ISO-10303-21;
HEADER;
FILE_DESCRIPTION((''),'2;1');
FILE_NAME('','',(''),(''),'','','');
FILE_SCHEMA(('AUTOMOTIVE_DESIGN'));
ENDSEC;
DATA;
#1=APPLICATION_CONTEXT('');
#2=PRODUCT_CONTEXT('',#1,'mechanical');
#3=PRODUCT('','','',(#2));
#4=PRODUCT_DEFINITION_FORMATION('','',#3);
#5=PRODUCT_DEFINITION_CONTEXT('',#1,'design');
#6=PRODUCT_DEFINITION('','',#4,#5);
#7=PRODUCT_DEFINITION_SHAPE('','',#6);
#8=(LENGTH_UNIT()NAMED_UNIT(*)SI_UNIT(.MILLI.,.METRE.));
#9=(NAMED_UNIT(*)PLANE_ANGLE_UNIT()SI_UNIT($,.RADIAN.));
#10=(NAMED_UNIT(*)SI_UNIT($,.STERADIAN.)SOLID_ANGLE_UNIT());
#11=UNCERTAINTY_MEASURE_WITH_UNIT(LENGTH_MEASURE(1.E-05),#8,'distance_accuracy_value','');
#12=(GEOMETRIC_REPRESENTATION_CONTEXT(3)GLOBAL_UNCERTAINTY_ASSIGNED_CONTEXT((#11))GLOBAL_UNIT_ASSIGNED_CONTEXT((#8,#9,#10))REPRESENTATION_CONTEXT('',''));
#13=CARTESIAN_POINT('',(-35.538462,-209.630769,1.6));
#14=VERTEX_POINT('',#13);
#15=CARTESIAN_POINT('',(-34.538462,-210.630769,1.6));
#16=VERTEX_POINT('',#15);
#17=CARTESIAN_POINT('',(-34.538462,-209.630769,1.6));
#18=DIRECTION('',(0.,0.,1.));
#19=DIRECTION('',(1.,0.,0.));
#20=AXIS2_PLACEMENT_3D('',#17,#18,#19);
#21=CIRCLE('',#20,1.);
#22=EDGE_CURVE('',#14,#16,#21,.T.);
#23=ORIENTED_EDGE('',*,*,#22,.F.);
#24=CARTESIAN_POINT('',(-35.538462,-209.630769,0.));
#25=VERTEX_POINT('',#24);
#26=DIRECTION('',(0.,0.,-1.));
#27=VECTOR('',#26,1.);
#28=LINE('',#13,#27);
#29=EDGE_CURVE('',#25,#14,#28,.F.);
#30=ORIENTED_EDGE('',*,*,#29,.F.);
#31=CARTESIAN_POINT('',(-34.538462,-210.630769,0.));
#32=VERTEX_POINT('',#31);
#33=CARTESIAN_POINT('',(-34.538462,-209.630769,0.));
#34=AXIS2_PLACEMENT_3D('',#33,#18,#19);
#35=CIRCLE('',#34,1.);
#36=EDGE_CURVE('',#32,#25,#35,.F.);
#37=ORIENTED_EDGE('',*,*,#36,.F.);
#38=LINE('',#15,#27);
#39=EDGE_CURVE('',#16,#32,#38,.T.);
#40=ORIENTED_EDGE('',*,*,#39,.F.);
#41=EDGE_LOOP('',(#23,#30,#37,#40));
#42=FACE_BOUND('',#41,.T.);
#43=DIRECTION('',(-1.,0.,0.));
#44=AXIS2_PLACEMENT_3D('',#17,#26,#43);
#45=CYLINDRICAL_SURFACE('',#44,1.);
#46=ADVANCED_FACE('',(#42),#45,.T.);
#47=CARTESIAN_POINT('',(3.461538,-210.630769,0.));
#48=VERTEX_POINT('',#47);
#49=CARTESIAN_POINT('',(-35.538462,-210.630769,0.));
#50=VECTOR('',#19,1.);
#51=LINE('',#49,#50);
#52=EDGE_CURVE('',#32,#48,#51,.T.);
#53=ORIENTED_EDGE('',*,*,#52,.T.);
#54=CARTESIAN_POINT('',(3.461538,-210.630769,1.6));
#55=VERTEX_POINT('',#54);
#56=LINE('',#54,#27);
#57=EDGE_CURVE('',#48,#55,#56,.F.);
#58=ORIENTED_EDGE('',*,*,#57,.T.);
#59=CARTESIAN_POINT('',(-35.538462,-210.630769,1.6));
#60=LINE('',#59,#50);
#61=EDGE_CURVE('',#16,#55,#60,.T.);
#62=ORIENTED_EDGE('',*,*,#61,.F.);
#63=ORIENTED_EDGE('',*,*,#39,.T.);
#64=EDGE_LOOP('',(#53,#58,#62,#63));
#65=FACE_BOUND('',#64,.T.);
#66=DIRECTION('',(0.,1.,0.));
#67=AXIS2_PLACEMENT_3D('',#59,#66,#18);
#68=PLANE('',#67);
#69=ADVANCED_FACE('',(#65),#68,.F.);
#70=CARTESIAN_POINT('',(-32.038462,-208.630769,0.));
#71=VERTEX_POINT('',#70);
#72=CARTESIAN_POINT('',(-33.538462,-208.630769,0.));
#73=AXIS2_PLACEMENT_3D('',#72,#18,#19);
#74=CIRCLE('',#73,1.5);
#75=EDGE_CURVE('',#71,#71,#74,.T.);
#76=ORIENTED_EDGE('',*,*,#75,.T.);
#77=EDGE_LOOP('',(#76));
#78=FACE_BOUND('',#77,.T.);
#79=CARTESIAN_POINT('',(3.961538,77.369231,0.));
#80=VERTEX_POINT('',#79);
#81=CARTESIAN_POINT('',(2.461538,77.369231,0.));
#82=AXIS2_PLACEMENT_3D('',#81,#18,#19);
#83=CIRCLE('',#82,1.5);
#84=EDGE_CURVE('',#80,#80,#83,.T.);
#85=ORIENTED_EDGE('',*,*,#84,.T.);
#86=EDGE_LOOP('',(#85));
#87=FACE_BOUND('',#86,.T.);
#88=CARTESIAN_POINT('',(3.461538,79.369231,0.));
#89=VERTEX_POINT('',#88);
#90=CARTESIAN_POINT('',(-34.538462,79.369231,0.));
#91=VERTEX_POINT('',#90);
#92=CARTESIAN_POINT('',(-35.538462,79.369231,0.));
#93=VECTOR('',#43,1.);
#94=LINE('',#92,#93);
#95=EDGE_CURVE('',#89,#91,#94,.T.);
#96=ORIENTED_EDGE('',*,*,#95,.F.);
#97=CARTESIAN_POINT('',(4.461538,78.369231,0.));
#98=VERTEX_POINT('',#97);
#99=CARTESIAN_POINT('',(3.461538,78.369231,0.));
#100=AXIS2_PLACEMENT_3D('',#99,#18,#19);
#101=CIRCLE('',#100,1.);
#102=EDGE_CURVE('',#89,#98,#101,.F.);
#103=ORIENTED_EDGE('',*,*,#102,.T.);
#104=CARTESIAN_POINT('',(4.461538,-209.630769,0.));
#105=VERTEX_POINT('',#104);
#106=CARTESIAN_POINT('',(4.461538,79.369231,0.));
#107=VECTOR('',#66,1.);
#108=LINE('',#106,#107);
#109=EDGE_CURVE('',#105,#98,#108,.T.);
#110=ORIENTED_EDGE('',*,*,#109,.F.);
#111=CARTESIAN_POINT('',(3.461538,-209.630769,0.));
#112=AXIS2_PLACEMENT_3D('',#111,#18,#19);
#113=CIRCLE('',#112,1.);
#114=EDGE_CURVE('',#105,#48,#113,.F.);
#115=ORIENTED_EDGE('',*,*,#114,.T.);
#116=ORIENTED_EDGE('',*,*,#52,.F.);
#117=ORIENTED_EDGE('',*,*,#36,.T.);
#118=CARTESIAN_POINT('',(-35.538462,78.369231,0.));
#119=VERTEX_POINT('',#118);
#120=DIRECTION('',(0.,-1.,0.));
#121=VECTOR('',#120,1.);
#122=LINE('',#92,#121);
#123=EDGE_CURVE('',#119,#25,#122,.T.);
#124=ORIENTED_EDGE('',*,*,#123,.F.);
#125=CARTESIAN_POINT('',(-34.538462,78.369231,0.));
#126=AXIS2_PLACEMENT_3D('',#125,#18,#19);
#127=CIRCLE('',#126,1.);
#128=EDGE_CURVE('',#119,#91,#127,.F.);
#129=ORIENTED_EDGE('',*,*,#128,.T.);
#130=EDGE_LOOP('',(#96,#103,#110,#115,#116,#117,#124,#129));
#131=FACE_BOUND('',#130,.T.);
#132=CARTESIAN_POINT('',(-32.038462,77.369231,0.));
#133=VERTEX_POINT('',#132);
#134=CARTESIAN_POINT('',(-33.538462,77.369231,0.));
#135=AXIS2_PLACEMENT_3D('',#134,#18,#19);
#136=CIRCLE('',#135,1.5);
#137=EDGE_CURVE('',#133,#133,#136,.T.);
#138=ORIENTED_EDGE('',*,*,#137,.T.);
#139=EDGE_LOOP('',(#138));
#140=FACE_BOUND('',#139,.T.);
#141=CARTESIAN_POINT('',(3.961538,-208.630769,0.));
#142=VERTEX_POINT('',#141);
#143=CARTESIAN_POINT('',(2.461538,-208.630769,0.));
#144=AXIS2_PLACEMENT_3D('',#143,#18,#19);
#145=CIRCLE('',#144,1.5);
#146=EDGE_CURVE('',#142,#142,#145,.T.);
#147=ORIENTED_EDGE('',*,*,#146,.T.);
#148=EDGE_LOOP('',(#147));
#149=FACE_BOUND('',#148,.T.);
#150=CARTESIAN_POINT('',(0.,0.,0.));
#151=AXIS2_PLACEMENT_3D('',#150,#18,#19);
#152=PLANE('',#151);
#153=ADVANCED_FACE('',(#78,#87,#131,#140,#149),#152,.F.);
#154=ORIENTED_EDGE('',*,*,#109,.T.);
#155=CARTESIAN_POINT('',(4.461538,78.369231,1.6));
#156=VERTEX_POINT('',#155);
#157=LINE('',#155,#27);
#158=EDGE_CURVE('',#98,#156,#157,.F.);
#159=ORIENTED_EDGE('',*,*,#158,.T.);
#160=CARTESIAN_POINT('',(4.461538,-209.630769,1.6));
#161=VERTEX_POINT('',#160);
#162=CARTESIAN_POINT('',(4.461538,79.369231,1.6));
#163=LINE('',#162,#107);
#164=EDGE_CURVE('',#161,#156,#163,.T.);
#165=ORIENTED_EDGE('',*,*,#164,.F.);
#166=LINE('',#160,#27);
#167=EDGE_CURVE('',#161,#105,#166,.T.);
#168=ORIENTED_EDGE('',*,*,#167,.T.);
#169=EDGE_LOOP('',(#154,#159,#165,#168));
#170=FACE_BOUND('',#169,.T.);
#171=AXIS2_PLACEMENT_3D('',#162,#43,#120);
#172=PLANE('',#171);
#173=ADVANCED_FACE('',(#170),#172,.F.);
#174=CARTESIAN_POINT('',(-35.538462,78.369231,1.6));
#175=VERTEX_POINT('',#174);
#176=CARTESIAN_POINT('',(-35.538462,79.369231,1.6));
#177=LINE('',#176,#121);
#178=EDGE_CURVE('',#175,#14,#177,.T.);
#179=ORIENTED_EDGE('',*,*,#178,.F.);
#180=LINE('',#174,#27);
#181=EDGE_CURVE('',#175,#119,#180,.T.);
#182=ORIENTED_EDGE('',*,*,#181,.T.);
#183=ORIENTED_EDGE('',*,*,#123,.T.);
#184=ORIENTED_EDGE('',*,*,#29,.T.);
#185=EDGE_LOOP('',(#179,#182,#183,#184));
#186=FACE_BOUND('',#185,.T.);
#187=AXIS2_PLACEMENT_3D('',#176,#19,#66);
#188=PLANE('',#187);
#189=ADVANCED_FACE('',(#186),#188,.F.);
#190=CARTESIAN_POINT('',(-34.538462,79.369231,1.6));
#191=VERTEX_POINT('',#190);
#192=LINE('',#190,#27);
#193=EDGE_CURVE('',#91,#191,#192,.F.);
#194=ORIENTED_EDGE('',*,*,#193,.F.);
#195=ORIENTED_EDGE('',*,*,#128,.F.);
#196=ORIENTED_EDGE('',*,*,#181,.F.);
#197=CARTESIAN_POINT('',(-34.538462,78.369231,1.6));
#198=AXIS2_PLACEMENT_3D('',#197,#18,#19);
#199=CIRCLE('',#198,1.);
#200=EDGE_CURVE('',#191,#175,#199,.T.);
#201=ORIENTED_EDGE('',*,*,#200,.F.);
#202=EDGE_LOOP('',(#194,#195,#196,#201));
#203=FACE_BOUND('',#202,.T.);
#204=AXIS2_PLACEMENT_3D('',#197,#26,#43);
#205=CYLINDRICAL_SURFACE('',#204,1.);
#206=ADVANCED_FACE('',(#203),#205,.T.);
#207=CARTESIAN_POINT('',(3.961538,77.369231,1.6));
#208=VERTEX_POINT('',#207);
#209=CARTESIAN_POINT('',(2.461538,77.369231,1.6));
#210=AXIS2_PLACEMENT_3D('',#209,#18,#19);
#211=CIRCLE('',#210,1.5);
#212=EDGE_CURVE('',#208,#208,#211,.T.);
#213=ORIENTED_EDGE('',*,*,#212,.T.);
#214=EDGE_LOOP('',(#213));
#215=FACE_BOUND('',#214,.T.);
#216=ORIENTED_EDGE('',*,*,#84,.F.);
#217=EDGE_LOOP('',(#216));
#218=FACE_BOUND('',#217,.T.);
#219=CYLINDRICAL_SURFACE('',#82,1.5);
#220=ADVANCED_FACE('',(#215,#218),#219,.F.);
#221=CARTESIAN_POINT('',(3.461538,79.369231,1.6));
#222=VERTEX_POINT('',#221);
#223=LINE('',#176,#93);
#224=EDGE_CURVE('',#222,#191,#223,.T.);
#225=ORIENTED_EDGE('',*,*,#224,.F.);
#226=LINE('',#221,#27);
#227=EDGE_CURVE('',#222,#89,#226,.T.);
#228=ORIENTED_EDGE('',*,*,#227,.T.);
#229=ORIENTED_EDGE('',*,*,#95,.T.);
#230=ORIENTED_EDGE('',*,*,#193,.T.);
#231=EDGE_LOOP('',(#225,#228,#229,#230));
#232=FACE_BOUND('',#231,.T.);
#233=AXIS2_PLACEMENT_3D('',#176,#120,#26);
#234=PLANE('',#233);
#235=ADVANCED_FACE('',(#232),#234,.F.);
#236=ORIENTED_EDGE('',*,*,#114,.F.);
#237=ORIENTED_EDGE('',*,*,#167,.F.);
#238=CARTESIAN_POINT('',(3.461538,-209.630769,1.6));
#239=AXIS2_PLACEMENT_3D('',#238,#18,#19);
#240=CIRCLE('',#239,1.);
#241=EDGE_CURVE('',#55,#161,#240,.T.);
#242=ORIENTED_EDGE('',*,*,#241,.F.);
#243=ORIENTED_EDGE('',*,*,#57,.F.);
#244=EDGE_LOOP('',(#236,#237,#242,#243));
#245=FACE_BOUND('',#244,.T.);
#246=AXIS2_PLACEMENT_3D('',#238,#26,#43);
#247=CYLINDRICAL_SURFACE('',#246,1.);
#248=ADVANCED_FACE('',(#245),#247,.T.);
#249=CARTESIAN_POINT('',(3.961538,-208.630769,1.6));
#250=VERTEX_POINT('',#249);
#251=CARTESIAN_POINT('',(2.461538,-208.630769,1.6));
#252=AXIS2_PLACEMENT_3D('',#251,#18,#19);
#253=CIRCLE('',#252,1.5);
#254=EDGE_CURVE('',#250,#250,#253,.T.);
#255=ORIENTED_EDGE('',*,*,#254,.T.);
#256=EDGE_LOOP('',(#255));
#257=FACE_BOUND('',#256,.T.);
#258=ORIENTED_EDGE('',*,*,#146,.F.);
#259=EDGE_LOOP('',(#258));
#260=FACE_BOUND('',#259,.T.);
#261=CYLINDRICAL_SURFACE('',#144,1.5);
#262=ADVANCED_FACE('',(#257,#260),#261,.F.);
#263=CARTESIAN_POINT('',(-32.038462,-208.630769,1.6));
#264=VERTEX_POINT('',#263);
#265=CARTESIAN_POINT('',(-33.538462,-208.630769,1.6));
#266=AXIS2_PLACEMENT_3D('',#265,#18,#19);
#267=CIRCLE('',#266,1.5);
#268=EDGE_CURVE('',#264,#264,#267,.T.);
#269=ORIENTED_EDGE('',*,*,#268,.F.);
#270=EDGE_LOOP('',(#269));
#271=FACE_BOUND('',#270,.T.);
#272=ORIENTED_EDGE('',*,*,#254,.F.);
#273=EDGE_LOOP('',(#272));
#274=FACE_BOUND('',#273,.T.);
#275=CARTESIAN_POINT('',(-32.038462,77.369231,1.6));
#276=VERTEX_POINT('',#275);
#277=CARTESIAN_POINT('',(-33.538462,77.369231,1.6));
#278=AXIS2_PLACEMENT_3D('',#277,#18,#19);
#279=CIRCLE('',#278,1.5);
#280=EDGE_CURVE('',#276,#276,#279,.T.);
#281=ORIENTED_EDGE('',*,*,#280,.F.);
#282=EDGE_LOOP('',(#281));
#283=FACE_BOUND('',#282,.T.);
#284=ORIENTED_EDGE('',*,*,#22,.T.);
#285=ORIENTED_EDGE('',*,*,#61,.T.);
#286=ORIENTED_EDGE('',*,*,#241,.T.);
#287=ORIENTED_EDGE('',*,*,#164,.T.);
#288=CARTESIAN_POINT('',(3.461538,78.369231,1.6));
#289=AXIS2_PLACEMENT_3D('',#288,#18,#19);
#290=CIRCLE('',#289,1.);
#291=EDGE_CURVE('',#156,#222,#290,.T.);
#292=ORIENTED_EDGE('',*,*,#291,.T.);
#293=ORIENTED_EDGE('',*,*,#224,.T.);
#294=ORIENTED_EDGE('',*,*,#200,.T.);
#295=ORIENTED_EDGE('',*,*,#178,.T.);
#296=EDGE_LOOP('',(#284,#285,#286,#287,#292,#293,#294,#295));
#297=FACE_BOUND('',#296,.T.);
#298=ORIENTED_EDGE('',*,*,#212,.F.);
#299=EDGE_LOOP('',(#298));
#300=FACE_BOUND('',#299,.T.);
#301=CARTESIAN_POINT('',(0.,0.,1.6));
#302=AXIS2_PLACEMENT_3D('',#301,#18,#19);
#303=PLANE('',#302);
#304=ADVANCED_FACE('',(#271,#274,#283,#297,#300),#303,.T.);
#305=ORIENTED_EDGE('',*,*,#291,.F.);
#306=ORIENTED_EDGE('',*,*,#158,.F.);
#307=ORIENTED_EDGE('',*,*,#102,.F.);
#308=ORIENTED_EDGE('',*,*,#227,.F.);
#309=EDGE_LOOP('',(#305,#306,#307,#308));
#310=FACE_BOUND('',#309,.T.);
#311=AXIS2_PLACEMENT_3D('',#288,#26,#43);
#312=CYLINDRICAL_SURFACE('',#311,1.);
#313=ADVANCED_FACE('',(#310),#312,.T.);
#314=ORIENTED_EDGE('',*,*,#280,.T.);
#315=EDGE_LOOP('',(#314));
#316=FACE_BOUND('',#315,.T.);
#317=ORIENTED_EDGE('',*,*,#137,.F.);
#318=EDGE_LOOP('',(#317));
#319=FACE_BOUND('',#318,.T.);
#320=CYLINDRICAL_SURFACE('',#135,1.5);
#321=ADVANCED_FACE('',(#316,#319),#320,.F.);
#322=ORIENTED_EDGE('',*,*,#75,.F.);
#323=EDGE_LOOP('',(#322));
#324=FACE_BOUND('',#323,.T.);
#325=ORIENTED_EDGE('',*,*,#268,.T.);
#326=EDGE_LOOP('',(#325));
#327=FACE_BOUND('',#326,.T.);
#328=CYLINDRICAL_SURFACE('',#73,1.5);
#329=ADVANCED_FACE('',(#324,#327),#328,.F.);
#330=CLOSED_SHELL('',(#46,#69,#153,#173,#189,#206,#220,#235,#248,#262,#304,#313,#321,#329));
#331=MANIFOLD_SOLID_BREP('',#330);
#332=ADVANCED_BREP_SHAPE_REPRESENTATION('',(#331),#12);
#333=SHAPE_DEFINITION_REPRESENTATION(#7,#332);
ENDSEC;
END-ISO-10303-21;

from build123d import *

# Parameters (mm, degrees)
SKETCH1_W           = 40
SKETCH1_H           = 290
BOSS_EXTRUDE1_DEPTH = 1.6
SKETCH2_R           = 1.5
CUT_EXTRUDE1_DEPTH  = 2.6
FILLET1_R           = 1


with BuildPart() as part:
    # Sketch1 → Boss-Extrude1 (new body)
    with BuildSketch(Plane.XY):
        with Locations((-15.538461538, -65.630769231)):
            Rectangle(SKETCH1_W, SKETCH1_H)
    extrude(amount=BOSS_EXTRUDE1_DEPTH)

    # Sketch2 → Cut-Extrude1 (cut, through all)
    with BuildSketch(Plane.XY.offset(1.6)):
        with Locations((-33.538461538, 77.369230769)):
            Circle(SKETCH2_R)
        with Locations((2.461538462, 77.369230769)):
            Circle(SKETCH2_R)
        with Locations((-33.538461538, -208.630769231)):
            Circle(SKETCH2_R)
        with Locations((2.461538462, -208.630769231)):
            Circle(SKETCH2_R)
    extrude(amount=-CUT_EXTRUDE1_DEPTH, mode=Mode.SUBTRACT)

    # Fillet1
    fillet1_edges = [part.edges().sort_by_distance(p)[0] for p in [
        (-35.538461538, 79.369230769, 0.8),
        (4.461538462, 79.369230769, 0.8),
        (4.461538462, -210.630769231, 0.8),
        (-35.538461538, -210.630769231, 0.8),
    ]]
    fillet(fillet1_edges, radius=FILLET1_R)


solid = part.part
